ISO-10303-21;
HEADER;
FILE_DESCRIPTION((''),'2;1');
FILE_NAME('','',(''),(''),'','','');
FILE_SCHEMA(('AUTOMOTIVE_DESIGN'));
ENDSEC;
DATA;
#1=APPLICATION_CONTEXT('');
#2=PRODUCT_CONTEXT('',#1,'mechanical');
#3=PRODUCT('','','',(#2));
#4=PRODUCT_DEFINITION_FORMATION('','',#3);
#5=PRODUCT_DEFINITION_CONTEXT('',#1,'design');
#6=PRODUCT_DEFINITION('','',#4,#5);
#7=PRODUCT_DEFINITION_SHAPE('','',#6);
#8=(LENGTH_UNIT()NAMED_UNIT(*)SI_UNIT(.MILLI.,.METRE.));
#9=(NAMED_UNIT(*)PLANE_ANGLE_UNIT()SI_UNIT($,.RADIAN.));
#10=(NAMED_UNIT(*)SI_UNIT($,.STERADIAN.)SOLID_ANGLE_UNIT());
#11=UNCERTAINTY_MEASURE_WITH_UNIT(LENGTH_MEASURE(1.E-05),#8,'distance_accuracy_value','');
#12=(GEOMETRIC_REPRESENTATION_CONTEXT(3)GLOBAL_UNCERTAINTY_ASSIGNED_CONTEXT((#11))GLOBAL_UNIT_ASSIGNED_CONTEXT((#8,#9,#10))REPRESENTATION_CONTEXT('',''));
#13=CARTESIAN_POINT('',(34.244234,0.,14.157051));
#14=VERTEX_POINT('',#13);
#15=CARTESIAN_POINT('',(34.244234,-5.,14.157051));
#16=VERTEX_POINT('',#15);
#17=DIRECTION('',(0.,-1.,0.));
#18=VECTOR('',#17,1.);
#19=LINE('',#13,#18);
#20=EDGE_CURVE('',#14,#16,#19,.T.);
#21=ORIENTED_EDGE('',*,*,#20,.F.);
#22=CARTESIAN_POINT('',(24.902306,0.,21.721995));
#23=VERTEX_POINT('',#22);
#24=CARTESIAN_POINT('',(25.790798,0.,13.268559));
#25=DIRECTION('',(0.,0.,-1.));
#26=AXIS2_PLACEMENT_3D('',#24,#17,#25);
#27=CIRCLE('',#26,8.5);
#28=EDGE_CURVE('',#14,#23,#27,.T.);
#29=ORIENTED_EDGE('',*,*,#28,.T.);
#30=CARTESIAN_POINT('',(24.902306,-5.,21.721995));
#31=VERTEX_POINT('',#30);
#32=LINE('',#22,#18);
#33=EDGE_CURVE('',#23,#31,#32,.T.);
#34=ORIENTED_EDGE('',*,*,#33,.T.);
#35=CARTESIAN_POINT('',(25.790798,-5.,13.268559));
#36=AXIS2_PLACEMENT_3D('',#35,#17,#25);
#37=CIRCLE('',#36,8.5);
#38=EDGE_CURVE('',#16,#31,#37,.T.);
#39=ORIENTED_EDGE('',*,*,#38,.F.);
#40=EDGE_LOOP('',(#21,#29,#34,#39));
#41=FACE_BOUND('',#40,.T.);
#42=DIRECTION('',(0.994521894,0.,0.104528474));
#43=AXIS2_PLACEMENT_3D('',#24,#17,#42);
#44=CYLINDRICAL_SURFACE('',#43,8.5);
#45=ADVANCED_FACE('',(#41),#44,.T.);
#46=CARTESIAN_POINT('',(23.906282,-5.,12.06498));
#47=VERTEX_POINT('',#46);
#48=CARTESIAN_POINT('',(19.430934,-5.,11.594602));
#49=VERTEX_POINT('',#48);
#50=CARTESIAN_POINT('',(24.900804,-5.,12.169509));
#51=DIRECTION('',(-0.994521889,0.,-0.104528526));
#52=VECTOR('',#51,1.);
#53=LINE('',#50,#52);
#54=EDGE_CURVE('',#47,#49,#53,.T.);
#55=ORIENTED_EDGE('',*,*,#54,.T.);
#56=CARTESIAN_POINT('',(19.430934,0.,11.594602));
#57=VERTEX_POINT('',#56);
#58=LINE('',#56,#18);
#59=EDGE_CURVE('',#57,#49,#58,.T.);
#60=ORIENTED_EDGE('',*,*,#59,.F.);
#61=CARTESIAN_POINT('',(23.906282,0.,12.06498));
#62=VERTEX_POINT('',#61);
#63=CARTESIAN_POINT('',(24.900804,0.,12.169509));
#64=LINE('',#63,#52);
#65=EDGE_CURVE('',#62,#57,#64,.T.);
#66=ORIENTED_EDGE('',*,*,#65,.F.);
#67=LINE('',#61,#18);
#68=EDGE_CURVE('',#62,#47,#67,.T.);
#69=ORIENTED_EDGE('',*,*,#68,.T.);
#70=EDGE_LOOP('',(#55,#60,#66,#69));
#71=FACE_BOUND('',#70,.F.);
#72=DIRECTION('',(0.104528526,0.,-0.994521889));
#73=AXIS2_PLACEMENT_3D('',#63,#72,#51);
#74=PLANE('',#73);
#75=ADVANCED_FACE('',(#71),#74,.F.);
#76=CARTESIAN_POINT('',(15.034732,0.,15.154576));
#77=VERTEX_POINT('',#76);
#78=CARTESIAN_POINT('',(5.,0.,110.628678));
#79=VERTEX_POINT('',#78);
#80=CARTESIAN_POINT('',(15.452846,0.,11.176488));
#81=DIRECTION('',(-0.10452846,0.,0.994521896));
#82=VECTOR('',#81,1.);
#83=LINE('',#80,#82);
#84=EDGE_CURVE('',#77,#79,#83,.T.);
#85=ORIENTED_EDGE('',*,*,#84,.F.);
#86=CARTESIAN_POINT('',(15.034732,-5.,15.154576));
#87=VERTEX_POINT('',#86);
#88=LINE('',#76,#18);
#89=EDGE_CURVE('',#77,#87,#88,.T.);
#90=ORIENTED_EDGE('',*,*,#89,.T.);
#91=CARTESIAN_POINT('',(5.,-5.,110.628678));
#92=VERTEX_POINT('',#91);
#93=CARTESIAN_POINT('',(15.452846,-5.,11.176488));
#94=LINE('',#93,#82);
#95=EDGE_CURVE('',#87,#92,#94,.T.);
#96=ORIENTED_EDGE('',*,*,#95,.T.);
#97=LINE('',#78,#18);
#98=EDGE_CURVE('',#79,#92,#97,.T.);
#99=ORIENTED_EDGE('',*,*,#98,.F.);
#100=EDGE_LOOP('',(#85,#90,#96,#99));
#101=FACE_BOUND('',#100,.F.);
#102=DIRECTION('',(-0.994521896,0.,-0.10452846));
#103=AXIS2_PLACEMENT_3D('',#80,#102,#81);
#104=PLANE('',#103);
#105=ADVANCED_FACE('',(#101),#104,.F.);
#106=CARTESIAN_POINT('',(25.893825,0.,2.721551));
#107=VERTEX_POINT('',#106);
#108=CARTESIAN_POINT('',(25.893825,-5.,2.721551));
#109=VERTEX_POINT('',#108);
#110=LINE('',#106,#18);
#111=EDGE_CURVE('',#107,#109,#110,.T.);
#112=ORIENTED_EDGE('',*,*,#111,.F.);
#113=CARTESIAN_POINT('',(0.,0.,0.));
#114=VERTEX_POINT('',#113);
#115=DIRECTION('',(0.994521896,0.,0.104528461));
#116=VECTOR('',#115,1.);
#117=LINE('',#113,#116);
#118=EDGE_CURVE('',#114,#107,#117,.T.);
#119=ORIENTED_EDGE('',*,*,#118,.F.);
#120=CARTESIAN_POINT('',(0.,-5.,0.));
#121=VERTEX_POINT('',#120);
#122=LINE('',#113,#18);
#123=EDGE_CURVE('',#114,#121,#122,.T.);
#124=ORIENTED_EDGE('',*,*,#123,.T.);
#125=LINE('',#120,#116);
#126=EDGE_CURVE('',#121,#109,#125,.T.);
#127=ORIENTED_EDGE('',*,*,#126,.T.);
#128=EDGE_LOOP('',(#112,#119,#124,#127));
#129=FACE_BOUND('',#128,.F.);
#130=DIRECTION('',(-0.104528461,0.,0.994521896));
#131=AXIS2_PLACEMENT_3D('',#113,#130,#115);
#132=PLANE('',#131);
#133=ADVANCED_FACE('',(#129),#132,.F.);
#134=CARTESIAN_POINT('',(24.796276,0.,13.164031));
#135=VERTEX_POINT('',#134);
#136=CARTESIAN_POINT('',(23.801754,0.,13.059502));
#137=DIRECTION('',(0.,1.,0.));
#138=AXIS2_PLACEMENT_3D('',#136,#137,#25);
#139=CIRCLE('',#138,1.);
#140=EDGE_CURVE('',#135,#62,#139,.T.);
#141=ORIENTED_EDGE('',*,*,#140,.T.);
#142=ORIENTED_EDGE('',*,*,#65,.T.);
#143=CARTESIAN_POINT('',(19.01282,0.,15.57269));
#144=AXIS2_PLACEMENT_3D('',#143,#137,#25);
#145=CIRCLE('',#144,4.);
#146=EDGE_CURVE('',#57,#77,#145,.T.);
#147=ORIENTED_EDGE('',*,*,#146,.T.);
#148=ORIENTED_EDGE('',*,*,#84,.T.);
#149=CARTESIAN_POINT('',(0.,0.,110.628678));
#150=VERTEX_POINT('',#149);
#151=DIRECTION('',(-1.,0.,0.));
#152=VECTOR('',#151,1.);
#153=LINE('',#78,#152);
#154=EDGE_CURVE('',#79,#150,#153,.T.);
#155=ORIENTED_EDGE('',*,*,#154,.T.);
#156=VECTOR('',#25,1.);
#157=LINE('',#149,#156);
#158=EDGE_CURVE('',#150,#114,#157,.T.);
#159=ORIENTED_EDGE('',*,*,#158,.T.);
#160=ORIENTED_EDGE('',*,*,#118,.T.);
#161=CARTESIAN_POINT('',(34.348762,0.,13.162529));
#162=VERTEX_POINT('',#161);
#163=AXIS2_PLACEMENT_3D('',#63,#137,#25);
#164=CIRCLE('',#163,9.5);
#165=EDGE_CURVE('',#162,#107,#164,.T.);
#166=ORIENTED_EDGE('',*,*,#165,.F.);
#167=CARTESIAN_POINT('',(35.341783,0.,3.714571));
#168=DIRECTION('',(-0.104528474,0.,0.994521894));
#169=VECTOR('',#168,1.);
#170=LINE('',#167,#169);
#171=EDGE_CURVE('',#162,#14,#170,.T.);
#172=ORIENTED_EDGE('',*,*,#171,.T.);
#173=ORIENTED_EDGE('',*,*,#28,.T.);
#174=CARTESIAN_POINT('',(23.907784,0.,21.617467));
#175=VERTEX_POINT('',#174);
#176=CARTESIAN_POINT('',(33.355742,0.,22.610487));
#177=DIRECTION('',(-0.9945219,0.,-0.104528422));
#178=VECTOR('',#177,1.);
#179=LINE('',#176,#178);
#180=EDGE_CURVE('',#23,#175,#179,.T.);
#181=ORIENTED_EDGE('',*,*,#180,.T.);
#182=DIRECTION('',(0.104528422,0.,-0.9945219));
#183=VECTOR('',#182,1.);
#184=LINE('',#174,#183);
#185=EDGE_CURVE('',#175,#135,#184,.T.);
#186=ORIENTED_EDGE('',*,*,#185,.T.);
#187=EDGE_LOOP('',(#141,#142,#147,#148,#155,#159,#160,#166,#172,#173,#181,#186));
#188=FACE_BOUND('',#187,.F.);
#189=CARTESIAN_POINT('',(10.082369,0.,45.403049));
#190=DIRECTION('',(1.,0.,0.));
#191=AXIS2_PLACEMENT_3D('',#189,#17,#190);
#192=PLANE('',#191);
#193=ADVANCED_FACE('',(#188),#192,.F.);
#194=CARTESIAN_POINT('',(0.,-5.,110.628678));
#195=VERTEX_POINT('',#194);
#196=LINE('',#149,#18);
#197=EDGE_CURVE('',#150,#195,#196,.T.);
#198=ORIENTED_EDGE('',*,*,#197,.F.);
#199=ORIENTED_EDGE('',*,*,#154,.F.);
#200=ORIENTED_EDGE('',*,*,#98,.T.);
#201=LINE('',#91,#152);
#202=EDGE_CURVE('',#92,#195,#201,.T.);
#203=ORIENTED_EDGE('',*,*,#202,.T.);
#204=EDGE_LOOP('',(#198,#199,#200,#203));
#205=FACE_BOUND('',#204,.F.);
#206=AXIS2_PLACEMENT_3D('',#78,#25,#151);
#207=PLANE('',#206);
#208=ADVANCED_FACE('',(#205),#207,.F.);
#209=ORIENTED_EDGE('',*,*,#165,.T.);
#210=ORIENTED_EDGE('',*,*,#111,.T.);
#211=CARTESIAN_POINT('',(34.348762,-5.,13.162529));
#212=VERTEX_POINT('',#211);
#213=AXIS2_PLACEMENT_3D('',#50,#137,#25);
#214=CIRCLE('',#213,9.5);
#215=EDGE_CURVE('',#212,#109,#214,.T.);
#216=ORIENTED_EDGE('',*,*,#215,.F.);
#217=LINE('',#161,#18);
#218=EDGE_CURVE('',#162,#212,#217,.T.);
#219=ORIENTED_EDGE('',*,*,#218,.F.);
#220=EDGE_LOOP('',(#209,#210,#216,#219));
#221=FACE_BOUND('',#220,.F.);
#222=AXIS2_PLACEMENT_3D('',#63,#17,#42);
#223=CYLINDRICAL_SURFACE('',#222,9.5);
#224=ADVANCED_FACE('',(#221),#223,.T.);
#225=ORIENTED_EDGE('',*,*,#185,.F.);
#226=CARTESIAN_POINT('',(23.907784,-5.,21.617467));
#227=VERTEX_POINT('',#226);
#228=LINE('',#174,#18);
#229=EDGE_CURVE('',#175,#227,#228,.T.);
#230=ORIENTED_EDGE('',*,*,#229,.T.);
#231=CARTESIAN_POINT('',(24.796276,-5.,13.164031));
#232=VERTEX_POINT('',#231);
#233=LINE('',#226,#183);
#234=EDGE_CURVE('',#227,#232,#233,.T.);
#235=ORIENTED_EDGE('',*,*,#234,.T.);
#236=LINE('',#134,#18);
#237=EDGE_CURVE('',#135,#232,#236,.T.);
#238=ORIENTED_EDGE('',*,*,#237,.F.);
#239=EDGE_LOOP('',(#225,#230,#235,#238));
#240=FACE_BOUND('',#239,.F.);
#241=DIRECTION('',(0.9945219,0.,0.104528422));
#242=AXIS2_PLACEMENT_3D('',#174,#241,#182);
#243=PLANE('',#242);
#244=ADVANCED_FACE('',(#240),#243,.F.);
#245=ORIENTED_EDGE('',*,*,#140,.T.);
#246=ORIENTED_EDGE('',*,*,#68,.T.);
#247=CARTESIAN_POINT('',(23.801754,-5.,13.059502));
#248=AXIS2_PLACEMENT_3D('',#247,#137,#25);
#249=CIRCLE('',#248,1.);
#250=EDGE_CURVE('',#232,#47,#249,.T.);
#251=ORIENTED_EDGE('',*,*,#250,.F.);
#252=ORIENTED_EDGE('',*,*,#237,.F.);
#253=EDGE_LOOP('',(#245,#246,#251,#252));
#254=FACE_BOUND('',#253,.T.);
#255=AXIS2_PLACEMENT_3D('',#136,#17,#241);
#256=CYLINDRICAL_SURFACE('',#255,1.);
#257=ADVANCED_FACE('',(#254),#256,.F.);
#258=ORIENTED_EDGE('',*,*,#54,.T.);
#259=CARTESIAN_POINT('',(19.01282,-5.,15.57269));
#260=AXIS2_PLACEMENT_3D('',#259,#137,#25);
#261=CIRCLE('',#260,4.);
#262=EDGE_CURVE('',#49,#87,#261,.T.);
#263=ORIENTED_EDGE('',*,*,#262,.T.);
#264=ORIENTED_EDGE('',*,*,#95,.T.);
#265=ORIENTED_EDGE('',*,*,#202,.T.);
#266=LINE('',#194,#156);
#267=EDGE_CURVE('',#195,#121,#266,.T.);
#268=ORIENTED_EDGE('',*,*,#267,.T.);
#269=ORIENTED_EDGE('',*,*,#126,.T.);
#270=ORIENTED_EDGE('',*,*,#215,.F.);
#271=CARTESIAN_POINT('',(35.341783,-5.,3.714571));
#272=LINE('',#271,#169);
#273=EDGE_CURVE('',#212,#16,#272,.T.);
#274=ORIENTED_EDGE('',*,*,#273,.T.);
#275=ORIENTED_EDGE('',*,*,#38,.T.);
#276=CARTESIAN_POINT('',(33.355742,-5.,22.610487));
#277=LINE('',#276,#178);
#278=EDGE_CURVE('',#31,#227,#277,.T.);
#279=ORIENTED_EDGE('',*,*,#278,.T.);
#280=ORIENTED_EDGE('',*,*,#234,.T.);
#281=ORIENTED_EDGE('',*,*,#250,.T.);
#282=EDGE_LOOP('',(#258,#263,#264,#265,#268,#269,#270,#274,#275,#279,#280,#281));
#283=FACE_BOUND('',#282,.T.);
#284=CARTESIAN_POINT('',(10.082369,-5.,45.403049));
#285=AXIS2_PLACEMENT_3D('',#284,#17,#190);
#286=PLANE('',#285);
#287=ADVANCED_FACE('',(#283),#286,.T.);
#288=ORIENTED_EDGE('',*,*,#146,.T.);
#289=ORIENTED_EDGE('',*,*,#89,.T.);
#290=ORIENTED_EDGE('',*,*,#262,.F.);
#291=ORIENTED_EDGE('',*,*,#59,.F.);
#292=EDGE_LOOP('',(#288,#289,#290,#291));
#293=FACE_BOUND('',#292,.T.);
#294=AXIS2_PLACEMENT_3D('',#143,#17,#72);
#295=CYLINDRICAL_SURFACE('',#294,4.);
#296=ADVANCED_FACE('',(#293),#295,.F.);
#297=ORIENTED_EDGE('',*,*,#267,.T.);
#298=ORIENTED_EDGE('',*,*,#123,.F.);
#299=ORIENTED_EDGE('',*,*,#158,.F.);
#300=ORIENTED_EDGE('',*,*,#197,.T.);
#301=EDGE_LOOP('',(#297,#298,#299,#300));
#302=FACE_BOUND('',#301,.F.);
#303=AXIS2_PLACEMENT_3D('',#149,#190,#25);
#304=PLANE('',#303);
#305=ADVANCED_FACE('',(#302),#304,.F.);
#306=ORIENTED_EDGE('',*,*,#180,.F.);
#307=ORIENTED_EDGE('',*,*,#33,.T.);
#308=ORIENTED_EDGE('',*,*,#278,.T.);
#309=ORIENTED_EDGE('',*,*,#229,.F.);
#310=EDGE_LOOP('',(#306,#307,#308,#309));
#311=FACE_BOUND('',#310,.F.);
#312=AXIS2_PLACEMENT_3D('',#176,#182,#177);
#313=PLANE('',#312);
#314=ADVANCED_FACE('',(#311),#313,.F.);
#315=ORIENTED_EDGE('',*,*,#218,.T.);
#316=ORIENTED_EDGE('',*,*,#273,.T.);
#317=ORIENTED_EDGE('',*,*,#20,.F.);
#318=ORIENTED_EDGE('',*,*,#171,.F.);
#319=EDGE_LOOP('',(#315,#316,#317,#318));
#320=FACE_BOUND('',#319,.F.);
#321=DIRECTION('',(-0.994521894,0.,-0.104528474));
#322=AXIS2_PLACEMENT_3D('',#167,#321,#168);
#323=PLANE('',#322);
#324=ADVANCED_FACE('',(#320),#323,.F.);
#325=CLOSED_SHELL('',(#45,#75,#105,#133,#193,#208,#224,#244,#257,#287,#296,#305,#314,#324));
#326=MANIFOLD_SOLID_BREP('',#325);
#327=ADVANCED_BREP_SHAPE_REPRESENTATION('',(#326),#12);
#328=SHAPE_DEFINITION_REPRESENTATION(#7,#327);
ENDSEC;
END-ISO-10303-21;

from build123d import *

# Parameters (mm, degrees)
F1_DEPTH = 5
F2_R     = 8.5
F3_R     = 4
F4_R     = 9.5
F5_R     = 1


with BuildPart() as f1:
    # F0 (on Front) → F1 (new body)
    with BuildSketch(Plane.XZ):
        Polygon((5, 110.628678), (0, 110.628678), (0, 0), (35.341783, 3.714571), (33.355742, 22.610487), (23.907784, 21.617467), (24.900804, 12.169509), (15.452846, 11.176488), align=None)
    extrude(amount=F1_DEPTH)

    # F2
    f2_edges = [f1.edges().sort_by_distance(p)[0] for p in [
        (33.355742, -2.5, 22.610487),
    ]]
    fillet(f2_edges, radius=F2_R)

    # F3
    f3_edges = [f1.edges().sort_by_distance(p)[0] for p in [
        (15.452846, -2.5, 11.176488),
    ]]
    fillet(f3_edges, radius=F3_R)

    # F4
    f4_edges = [f1.edges().sort_by_distance(p)[0] for p in [
        (35.341783, -2.5, 3.714571),
    ]]
    fillet(f4_edges, radius=F4_R)

    # F5
    f5_edges = [f1.edges().sort_by_distance(p)[0] for p in [
        (24.900804, -2.5, 12.169509),
    ]]
    fillet(f5_edges, radius=F5_R)


solid = f1.part
